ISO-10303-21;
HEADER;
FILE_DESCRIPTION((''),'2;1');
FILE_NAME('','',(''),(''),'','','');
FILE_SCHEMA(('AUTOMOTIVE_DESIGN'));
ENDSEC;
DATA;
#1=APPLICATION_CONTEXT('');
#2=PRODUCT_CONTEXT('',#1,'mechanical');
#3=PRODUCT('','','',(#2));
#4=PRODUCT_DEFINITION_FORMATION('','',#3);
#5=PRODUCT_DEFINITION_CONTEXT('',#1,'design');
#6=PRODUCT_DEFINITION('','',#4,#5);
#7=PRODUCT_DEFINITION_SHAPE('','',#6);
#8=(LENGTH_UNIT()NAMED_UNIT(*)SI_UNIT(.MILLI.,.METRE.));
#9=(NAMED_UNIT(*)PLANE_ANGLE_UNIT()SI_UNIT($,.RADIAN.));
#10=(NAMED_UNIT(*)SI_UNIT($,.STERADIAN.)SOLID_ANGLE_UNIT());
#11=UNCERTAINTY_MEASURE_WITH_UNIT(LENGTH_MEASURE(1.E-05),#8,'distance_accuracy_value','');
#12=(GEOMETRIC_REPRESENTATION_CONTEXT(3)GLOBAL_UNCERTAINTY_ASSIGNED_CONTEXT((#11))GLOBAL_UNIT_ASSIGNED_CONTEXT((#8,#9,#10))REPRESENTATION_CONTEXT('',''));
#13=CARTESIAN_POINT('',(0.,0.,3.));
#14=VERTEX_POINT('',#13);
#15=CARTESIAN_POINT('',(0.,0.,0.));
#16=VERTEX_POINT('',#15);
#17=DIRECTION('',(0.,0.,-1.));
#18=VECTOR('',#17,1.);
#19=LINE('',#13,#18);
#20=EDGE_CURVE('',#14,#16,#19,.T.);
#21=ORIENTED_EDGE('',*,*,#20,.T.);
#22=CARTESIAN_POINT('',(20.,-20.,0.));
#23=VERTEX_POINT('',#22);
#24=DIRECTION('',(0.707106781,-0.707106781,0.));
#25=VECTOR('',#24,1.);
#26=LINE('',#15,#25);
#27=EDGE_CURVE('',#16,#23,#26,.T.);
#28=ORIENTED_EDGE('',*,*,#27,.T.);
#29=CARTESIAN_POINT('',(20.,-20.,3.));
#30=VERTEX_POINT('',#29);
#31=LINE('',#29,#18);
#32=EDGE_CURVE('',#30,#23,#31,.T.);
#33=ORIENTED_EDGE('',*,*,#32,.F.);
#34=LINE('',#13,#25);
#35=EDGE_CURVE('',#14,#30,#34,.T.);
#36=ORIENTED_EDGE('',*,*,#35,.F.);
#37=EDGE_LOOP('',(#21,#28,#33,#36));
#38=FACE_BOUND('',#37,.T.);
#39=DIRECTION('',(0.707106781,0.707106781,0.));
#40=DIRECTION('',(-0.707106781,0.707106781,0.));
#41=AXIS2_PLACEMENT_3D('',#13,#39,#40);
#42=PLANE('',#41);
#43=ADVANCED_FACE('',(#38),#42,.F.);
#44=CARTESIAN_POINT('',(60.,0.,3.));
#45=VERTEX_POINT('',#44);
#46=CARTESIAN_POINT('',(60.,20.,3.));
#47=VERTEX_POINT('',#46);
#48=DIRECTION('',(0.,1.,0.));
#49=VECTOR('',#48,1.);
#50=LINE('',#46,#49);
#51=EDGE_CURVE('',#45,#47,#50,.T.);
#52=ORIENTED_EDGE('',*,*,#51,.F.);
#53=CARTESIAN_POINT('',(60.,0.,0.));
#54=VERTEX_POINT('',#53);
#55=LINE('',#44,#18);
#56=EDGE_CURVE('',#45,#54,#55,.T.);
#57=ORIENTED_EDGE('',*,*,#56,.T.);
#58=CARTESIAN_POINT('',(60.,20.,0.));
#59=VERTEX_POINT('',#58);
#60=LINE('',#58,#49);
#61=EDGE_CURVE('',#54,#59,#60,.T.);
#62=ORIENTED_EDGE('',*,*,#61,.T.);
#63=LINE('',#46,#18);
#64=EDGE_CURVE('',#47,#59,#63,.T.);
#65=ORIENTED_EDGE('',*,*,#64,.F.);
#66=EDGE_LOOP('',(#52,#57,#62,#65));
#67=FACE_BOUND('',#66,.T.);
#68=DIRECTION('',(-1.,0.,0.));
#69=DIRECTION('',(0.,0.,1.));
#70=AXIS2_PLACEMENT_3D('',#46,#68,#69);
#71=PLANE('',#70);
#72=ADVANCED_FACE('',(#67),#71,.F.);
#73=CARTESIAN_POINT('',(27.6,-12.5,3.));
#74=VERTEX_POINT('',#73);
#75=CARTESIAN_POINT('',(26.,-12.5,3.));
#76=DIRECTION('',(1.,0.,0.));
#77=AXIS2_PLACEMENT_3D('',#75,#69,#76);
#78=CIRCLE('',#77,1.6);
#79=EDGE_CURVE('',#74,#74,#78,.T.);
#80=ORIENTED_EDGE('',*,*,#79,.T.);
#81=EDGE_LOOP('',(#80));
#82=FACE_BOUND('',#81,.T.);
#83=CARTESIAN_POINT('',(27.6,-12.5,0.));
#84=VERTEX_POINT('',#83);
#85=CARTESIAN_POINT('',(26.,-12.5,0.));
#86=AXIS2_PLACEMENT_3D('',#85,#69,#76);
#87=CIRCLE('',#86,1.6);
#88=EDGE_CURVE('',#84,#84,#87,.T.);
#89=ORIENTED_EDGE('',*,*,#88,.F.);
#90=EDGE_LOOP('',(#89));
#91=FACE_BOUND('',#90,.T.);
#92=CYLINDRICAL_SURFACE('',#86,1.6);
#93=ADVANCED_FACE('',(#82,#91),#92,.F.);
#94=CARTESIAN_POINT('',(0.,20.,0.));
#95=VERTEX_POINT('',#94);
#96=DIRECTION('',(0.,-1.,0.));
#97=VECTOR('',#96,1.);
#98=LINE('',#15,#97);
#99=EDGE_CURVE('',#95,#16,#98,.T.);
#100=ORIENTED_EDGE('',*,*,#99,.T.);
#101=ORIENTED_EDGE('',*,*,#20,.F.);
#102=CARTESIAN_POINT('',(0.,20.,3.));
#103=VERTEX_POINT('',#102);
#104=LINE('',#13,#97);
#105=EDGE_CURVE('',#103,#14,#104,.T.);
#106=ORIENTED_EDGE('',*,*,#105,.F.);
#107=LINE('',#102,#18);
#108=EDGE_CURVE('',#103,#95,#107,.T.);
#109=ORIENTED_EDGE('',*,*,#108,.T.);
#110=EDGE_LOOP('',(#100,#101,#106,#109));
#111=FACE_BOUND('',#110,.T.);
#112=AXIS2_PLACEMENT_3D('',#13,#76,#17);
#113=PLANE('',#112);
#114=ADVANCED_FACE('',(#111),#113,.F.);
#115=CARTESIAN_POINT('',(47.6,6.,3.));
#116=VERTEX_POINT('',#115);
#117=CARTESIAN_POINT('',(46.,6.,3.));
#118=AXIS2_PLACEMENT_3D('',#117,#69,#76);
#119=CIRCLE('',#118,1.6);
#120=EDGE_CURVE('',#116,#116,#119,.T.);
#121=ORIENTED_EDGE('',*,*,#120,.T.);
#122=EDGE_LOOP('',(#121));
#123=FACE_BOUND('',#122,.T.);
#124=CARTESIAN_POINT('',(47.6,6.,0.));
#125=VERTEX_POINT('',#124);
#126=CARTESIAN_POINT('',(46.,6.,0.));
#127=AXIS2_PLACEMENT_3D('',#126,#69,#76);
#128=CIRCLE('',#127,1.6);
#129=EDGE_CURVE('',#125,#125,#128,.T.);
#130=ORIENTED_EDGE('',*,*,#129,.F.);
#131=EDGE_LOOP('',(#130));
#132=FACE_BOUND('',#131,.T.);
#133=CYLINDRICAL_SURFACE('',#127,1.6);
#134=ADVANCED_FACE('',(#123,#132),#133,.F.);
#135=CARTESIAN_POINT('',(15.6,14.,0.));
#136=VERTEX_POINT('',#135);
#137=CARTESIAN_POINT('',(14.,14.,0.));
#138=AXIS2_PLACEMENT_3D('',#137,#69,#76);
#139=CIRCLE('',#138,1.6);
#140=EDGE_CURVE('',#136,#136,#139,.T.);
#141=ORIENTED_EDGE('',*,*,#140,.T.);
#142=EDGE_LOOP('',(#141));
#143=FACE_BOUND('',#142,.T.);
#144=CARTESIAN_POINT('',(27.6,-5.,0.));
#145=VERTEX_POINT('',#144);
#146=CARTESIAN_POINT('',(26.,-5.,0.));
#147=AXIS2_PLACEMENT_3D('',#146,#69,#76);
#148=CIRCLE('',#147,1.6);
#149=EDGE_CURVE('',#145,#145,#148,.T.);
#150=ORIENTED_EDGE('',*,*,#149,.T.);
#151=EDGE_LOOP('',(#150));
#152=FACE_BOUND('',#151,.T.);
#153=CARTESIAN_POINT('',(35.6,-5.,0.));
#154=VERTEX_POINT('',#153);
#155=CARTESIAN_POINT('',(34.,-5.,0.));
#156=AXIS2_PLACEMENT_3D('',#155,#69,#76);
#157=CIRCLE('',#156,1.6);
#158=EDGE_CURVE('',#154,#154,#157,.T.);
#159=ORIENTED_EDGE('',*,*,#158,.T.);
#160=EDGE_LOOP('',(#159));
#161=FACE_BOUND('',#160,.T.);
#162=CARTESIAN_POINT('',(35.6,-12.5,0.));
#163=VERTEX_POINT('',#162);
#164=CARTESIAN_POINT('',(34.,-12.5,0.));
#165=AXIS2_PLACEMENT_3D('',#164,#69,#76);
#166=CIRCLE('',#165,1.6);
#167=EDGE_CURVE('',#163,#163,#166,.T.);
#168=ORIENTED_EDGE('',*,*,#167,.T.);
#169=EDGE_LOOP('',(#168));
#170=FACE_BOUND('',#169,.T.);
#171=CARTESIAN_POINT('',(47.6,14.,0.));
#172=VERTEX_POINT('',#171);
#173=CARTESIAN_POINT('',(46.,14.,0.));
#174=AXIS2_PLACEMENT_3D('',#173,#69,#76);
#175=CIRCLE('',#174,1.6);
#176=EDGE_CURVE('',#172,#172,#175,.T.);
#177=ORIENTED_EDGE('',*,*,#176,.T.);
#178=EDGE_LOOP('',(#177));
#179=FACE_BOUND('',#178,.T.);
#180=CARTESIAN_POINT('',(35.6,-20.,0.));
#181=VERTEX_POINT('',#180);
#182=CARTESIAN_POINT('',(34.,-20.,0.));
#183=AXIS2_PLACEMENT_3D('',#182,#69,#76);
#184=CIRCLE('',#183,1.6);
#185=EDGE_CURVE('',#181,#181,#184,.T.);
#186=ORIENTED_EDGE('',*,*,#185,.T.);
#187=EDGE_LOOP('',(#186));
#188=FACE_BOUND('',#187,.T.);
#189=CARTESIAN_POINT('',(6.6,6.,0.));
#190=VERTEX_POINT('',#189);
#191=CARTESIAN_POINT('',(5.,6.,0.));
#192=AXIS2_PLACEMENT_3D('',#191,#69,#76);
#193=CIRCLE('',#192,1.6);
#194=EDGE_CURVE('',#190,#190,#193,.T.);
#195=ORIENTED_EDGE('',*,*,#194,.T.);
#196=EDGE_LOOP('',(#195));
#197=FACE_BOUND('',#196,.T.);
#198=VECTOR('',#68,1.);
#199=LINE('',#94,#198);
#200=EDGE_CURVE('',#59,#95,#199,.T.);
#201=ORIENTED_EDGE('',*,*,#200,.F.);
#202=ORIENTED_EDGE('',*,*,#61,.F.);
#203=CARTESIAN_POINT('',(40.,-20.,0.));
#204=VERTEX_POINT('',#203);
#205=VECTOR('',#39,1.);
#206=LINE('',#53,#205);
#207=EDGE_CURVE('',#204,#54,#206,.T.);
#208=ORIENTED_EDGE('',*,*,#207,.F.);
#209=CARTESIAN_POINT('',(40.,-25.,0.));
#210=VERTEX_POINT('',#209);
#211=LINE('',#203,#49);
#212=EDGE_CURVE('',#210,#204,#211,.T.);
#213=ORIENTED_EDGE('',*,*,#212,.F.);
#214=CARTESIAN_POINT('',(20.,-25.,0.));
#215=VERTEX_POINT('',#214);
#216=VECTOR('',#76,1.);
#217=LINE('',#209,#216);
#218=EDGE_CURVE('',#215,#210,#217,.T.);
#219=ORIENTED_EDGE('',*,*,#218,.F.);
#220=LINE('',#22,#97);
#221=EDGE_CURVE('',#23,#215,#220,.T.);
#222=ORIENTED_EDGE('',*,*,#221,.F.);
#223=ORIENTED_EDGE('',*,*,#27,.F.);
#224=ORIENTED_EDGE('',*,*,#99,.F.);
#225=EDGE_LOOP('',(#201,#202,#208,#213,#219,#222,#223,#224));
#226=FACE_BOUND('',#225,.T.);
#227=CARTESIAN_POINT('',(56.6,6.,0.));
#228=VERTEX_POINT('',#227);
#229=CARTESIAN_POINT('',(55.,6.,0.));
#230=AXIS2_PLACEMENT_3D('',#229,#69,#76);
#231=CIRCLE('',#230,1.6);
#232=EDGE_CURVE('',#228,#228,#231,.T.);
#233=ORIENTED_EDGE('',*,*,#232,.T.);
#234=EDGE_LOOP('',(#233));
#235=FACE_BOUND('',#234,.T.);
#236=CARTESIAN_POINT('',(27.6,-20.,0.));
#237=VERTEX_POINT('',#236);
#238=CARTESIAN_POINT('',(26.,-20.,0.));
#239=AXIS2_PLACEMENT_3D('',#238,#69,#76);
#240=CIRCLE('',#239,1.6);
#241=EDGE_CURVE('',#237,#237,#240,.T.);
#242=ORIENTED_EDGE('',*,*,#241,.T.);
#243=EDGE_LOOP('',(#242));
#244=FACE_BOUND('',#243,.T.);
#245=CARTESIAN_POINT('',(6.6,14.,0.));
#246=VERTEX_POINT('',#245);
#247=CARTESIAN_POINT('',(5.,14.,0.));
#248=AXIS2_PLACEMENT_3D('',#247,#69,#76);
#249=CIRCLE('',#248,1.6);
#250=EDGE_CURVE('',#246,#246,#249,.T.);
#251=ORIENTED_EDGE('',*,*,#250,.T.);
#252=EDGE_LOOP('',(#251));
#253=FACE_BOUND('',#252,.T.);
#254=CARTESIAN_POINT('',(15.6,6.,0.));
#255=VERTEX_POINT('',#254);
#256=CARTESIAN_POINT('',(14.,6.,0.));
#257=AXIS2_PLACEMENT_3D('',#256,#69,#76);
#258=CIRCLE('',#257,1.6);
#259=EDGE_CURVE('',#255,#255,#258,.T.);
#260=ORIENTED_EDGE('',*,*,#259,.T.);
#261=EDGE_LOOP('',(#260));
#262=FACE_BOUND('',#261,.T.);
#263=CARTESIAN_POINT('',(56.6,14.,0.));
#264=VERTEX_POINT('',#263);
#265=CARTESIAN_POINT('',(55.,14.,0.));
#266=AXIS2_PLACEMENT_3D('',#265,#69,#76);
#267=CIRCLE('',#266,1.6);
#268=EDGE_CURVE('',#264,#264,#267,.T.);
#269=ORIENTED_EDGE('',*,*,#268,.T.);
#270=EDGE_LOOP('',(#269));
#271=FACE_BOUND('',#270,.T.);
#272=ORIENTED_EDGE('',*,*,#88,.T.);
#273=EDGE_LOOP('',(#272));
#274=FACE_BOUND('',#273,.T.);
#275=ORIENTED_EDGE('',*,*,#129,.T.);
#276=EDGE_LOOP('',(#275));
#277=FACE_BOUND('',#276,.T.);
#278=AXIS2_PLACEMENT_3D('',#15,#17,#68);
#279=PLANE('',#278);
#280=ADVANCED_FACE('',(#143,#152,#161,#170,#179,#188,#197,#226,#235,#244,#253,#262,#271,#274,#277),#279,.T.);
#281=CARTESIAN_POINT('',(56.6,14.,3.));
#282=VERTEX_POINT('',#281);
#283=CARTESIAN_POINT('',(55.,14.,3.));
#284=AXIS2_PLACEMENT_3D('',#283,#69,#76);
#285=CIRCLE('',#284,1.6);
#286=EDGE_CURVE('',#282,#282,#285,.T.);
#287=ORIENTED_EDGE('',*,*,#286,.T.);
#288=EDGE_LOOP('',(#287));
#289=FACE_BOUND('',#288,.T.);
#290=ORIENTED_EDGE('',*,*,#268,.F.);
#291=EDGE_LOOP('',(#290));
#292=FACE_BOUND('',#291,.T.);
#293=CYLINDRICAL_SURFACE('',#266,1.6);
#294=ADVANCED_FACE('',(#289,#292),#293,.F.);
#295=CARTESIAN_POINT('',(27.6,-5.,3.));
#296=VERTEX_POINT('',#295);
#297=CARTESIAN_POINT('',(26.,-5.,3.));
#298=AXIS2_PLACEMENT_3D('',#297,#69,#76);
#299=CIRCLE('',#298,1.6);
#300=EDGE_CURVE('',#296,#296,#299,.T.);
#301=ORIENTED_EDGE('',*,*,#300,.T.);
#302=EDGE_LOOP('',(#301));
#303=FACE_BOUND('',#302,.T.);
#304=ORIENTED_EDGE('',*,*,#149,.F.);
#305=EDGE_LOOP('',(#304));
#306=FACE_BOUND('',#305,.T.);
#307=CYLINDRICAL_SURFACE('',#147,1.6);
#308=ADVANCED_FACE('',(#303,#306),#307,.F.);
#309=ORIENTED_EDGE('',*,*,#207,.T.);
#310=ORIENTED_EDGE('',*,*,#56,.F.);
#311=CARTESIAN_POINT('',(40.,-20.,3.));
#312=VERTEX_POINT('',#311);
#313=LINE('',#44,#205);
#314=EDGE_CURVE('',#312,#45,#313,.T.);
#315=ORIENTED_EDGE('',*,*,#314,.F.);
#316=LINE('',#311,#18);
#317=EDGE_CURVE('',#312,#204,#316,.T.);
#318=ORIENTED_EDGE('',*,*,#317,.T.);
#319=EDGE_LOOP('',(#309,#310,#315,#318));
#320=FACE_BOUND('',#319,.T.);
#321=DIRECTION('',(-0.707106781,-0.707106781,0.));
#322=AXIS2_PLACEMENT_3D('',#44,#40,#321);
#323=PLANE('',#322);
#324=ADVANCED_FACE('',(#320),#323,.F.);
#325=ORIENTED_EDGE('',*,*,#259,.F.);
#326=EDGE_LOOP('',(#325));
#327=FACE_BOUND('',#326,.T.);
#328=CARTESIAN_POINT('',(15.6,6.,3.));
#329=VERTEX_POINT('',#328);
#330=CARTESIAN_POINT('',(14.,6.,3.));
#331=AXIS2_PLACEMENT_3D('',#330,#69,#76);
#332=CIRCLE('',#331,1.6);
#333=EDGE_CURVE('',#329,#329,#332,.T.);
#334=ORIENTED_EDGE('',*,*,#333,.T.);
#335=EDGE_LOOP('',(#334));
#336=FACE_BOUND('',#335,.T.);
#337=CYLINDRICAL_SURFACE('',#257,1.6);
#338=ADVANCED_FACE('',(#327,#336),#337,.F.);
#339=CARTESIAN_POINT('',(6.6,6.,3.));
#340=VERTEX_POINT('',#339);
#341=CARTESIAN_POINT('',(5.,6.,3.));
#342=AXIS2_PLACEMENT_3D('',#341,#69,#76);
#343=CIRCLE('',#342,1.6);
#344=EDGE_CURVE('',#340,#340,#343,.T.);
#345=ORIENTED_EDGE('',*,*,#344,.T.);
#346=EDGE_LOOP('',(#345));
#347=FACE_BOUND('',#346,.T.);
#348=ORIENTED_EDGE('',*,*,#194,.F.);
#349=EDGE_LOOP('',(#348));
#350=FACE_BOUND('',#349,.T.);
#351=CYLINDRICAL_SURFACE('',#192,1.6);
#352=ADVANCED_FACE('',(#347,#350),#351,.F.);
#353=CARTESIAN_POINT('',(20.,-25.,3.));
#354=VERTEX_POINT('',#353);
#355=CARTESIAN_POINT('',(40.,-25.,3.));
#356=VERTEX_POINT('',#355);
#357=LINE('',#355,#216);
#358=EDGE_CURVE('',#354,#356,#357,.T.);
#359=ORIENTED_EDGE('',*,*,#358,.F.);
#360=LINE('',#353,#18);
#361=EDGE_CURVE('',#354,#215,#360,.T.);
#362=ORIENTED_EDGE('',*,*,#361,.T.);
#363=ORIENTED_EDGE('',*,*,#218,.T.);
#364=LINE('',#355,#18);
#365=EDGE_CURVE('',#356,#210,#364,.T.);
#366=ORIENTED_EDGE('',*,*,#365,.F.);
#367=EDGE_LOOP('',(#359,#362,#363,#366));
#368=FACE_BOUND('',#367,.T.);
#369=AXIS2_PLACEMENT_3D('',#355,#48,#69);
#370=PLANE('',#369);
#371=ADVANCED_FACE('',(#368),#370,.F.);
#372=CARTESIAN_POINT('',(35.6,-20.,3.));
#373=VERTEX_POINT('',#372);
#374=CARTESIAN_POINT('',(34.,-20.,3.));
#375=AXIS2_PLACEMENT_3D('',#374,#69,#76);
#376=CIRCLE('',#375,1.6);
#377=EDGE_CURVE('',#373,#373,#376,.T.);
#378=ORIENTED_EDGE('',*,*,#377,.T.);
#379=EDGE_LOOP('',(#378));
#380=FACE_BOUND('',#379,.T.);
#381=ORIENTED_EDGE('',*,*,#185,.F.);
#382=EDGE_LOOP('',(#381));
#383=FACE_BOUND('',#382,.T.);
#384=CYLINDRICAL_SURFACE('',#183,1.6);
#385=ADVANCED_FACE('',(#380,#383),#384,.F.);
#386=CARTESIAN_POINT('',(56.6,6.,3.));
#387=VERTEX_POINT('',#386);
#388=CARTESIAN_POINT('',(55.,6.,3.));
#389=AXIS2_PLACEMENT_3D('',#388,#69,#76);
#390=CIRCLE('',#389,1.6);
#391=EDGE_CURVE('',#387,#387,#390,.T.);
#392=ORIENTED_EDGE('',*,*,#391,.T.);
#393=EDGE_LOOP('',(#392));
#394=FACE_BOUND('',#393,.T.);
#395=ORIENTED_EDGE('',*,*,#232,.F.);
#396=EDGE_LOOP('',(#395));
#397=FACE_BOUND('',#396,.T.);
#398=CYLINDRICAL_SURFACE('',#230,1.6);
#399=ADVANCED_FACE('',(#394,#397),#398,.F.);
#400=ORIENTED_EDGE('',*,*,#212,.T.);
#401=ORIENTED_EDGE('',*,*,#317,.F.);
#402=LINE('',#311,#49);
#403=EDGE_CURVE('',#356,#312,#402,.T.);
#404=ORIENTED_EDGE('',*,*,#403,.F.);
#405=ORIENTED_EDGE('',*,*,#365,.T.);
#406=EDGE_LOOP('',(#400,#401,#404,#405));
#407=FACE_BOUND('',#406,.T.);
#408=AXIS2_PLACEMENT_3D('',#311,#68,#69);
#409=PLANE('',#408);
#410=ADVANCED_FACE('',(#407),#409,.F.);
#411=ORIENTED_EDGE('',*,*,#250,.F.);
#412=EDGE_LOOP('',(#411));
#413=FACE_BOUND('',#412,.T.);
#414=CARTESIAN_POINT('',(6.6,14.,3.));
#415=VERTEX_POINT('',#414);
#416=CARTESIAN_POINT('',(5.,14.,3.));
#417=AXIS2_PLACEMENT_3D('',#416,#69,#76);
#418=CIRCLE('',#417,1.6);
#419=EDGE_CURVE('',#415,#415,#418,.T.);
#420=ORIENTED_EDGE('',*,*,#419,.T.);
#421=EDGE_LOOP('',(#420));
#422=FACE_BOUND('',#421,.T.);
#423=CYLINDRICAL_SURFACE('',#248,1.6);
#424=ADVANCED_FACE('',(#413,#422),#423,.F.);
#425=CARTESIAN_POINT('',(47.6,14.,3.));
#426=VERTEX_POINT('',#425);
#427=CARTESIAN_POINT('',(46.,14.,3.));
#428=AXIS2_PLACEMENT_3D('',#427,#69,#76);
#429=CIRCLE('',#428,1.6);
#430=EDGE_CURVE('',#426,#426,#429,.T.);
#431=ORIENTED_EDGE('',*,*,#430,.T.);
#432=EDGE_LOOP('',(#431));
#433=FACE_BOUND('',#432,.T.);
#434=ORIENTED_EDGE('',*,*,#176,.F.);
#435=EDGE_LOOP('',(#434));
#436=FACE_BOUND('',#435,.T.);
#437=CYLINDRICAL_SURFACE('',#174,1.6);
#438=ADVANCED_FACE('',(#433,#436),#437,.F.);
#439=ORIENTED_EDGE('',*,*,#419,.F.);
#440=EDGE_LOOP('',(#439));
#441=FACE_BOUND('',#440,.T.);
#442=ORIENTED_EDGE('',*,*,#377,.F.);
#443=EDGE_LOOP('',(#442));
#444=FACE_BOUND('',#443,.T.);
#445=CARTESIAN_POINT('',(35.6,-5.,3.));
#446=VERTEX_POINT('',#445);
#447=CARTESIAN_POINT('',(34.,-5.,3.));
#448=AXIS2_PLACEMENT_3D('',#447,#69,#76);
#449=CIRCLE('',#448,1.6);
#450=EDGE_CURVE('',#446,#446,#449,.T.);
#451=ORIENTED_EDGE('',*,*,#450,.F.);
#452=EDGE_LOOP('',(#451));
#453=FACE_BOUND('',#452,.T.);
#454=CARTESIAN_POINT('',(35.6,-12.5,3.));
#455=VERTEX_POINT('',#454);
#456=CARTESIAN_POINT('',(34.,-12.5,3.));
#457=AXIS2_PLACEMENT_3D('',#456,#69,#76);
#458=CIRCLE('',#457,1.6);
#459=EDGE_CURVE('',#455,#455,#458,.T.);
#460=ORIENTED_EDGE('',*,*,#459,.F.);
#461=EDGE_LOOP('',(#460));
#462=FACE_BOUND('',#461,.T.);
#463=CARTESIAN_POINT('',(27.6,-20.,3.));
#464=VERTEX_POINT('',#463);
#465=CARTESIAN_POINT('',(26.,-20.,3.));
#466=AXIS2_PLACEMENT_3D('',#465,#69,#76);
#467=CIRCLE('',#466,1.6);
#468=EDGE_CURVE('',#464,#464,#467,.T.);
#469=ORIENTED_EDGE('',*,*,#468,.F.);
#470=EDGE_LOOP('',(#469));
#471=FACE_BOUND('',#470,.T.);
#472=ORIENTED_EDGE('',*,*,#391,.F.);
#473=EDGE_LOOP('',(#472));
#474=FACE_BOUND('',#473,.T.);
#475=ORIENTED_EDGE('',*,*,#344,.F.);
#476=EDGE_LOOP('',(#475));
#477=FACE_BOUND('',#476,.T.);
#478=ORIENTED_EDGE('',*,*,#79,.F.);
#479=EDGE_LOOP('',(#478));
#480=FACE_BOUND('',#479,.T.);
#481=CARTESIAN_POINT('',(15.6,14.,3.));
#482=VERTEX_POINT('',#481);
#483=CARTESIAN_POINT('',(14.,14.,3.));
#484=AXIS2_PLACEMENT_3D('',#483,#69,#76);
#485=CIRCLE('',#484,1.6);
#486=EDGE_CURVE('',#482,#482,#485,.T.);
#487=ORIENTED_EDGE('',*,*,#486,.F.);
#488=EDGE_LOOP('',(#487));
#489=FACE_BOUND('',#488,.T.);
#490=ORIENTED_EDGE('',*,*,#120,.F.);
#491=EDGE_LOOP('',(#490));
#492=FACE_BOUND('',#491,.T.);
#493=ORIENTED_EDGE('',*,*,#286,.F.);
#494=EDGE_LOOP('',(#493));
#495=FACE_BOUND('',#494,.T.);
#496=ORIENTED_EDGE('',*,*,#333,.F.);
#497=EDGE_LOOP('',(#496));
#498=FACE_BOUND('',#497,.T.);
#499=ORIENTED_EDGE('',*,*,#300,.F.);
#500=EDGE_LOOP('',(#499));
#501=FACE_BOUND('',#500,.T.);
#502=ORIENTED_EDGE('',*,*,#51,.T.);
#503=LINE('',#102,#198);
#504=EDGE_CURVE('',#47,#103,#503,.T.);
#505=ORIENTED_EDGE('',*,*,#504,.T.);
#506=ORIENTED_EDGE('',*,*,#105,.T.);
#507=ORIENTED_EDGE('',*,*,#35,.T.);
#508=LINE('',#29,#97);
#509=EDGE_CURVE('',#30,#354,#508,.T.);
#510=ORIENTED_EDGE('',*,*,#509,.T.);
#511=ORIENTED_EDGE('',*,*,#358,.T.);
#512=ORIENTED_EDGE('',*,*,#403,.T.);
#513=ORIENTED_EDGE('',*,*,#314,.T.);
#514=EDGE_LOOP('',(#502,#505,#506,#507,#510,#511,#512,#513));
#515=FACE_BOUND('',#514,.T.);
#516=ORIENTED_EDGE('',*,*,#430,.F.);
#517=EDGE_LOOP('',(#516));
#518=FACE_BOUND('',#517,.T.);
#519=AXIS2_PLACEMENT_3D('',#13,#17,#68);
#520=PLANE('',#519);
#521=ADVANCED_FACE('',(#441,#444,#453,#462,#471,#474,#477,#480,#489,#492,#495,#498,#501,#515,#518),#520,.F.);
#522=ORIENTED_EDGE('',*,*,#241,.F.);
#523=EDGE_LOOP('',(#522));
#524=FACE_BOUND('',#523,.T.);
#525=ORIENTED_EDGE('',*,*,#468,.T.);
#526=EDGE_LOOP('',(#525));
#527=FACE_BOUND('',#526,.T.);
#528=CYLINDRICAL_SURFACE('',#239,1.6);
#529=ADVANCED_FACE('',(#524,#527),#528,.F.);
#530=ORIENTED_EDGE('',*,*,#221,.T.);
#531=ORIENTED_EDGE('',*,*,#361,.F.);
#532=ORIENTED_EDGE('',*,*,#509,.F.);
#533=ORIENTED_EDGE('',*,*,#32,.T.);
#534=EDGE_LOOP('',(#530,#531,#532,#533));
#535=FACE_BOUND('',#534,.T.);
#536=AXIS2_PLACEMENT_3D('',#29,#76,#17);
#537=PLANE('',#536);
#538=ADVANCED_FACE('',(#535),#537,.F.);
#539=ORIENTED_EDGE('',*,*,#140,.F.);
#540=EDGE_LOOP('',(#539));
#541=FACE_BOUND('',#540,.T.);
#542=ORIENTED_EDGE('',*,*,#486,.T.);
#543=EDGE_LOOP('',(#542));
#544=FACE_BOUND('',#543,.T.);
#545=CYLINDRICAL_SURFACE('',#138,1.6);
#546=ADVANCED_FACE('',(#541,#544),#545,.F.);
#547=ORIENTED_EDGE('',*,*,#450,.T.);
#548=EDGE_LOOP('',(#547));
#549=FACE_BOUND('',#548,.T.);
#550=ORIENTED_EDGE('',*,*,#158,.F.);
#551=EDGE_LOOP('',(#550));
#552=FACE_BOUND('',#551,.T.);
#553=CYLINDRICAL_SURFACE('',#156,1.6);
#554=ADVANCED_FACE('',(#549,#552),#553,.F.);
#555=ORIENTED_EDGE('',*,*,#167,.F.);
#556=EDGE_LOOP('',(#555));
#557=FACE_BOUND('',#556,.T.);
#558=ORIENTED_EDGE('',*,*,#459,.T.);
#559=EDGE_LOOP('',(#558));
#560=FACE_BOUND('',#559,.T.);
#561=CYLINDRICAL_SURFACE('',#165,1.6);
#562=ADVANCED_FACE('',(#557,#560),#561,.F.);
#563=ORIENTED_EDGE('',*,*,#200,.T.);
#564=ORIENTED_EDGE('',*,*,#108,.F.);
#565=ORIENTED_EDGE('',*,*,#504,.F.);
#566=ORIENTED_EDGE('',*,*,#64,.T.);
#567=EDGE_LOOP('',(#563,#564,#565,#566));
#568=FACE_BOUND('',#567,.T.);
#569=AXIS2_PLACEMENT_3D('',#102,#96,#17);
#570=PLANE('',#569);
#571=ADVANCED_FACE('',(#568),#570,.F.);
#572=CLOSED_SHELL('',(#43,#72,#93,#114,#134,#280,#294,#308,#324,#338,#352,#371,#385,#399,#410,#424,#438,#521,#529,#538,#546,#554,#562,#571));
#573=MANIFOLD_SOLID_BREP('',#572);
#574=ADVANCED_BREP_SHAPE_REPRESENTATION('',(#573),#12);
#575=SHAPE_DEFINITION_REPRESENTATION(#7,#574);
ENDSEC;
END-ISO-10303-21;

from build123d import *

# Parameters (mm, degrees)
EXTRUDE_1_DEPTH     = 3
SKETCH_3_R          = 1.6
CUT_EXTRUDE_1_DEPTH = 3


with BuildPart() as part:
    # 草图1 → 凸台-拉伸1 (new body)
    with BuildSketch(Plane.XY):
        Polygon((0, 0), (0, 20), (60, 20), (60, 0), (40, -20), (40, -25), (20, -25), (20, -20), align=None)
    extrude(amount=EXTRUDE_1_DEPTH)

    # 草图3 → 切除-拉伸1 (cut)
    with BuildSketch(Plane.XY.offset(3)):
        with Locations((26, -5)):
            Circle(SKETCH_3_R)
        with Locations((34, -5)):
            Circle(SKETCH_3_R)
        with Locations((26, -20)):
            Circle(SKETCH_3_R)
        with Locations((34, -20)):
            Circle(SKETCH_3_R)
        with Locations((26, -12.5)):
            Circle(SKETCH_3_R)
        with Locations((34, -12.5)):
            Circle(SKETCH_3_R)
        with Locations((5, 14)):
            Circle(SKETCH_3_R)
        with Locations((5, 6)):
            Circle(SKETCH_3_R)
        with Locations((14, 14)):
            Circle(SKETCH_3_R)
        with Locations((14, 6)):
            Circle(SKETCH_3_R)
        with Locations((55, 14)):
            Circle(SKETCH_3_R)
        with Locations((55, 6)):
            Circle(SKETCH_3_R)
        with Locations((46, 14)):
            Circle(SKETCH_3_R)
        with Locations((46, 6)):
            Circle(SKETCH_3_R)
    extrude(amount=-CUT_EXTRUDE_1_DEPTH, mode=Mode.SUBTRACT)


solid = part.part
